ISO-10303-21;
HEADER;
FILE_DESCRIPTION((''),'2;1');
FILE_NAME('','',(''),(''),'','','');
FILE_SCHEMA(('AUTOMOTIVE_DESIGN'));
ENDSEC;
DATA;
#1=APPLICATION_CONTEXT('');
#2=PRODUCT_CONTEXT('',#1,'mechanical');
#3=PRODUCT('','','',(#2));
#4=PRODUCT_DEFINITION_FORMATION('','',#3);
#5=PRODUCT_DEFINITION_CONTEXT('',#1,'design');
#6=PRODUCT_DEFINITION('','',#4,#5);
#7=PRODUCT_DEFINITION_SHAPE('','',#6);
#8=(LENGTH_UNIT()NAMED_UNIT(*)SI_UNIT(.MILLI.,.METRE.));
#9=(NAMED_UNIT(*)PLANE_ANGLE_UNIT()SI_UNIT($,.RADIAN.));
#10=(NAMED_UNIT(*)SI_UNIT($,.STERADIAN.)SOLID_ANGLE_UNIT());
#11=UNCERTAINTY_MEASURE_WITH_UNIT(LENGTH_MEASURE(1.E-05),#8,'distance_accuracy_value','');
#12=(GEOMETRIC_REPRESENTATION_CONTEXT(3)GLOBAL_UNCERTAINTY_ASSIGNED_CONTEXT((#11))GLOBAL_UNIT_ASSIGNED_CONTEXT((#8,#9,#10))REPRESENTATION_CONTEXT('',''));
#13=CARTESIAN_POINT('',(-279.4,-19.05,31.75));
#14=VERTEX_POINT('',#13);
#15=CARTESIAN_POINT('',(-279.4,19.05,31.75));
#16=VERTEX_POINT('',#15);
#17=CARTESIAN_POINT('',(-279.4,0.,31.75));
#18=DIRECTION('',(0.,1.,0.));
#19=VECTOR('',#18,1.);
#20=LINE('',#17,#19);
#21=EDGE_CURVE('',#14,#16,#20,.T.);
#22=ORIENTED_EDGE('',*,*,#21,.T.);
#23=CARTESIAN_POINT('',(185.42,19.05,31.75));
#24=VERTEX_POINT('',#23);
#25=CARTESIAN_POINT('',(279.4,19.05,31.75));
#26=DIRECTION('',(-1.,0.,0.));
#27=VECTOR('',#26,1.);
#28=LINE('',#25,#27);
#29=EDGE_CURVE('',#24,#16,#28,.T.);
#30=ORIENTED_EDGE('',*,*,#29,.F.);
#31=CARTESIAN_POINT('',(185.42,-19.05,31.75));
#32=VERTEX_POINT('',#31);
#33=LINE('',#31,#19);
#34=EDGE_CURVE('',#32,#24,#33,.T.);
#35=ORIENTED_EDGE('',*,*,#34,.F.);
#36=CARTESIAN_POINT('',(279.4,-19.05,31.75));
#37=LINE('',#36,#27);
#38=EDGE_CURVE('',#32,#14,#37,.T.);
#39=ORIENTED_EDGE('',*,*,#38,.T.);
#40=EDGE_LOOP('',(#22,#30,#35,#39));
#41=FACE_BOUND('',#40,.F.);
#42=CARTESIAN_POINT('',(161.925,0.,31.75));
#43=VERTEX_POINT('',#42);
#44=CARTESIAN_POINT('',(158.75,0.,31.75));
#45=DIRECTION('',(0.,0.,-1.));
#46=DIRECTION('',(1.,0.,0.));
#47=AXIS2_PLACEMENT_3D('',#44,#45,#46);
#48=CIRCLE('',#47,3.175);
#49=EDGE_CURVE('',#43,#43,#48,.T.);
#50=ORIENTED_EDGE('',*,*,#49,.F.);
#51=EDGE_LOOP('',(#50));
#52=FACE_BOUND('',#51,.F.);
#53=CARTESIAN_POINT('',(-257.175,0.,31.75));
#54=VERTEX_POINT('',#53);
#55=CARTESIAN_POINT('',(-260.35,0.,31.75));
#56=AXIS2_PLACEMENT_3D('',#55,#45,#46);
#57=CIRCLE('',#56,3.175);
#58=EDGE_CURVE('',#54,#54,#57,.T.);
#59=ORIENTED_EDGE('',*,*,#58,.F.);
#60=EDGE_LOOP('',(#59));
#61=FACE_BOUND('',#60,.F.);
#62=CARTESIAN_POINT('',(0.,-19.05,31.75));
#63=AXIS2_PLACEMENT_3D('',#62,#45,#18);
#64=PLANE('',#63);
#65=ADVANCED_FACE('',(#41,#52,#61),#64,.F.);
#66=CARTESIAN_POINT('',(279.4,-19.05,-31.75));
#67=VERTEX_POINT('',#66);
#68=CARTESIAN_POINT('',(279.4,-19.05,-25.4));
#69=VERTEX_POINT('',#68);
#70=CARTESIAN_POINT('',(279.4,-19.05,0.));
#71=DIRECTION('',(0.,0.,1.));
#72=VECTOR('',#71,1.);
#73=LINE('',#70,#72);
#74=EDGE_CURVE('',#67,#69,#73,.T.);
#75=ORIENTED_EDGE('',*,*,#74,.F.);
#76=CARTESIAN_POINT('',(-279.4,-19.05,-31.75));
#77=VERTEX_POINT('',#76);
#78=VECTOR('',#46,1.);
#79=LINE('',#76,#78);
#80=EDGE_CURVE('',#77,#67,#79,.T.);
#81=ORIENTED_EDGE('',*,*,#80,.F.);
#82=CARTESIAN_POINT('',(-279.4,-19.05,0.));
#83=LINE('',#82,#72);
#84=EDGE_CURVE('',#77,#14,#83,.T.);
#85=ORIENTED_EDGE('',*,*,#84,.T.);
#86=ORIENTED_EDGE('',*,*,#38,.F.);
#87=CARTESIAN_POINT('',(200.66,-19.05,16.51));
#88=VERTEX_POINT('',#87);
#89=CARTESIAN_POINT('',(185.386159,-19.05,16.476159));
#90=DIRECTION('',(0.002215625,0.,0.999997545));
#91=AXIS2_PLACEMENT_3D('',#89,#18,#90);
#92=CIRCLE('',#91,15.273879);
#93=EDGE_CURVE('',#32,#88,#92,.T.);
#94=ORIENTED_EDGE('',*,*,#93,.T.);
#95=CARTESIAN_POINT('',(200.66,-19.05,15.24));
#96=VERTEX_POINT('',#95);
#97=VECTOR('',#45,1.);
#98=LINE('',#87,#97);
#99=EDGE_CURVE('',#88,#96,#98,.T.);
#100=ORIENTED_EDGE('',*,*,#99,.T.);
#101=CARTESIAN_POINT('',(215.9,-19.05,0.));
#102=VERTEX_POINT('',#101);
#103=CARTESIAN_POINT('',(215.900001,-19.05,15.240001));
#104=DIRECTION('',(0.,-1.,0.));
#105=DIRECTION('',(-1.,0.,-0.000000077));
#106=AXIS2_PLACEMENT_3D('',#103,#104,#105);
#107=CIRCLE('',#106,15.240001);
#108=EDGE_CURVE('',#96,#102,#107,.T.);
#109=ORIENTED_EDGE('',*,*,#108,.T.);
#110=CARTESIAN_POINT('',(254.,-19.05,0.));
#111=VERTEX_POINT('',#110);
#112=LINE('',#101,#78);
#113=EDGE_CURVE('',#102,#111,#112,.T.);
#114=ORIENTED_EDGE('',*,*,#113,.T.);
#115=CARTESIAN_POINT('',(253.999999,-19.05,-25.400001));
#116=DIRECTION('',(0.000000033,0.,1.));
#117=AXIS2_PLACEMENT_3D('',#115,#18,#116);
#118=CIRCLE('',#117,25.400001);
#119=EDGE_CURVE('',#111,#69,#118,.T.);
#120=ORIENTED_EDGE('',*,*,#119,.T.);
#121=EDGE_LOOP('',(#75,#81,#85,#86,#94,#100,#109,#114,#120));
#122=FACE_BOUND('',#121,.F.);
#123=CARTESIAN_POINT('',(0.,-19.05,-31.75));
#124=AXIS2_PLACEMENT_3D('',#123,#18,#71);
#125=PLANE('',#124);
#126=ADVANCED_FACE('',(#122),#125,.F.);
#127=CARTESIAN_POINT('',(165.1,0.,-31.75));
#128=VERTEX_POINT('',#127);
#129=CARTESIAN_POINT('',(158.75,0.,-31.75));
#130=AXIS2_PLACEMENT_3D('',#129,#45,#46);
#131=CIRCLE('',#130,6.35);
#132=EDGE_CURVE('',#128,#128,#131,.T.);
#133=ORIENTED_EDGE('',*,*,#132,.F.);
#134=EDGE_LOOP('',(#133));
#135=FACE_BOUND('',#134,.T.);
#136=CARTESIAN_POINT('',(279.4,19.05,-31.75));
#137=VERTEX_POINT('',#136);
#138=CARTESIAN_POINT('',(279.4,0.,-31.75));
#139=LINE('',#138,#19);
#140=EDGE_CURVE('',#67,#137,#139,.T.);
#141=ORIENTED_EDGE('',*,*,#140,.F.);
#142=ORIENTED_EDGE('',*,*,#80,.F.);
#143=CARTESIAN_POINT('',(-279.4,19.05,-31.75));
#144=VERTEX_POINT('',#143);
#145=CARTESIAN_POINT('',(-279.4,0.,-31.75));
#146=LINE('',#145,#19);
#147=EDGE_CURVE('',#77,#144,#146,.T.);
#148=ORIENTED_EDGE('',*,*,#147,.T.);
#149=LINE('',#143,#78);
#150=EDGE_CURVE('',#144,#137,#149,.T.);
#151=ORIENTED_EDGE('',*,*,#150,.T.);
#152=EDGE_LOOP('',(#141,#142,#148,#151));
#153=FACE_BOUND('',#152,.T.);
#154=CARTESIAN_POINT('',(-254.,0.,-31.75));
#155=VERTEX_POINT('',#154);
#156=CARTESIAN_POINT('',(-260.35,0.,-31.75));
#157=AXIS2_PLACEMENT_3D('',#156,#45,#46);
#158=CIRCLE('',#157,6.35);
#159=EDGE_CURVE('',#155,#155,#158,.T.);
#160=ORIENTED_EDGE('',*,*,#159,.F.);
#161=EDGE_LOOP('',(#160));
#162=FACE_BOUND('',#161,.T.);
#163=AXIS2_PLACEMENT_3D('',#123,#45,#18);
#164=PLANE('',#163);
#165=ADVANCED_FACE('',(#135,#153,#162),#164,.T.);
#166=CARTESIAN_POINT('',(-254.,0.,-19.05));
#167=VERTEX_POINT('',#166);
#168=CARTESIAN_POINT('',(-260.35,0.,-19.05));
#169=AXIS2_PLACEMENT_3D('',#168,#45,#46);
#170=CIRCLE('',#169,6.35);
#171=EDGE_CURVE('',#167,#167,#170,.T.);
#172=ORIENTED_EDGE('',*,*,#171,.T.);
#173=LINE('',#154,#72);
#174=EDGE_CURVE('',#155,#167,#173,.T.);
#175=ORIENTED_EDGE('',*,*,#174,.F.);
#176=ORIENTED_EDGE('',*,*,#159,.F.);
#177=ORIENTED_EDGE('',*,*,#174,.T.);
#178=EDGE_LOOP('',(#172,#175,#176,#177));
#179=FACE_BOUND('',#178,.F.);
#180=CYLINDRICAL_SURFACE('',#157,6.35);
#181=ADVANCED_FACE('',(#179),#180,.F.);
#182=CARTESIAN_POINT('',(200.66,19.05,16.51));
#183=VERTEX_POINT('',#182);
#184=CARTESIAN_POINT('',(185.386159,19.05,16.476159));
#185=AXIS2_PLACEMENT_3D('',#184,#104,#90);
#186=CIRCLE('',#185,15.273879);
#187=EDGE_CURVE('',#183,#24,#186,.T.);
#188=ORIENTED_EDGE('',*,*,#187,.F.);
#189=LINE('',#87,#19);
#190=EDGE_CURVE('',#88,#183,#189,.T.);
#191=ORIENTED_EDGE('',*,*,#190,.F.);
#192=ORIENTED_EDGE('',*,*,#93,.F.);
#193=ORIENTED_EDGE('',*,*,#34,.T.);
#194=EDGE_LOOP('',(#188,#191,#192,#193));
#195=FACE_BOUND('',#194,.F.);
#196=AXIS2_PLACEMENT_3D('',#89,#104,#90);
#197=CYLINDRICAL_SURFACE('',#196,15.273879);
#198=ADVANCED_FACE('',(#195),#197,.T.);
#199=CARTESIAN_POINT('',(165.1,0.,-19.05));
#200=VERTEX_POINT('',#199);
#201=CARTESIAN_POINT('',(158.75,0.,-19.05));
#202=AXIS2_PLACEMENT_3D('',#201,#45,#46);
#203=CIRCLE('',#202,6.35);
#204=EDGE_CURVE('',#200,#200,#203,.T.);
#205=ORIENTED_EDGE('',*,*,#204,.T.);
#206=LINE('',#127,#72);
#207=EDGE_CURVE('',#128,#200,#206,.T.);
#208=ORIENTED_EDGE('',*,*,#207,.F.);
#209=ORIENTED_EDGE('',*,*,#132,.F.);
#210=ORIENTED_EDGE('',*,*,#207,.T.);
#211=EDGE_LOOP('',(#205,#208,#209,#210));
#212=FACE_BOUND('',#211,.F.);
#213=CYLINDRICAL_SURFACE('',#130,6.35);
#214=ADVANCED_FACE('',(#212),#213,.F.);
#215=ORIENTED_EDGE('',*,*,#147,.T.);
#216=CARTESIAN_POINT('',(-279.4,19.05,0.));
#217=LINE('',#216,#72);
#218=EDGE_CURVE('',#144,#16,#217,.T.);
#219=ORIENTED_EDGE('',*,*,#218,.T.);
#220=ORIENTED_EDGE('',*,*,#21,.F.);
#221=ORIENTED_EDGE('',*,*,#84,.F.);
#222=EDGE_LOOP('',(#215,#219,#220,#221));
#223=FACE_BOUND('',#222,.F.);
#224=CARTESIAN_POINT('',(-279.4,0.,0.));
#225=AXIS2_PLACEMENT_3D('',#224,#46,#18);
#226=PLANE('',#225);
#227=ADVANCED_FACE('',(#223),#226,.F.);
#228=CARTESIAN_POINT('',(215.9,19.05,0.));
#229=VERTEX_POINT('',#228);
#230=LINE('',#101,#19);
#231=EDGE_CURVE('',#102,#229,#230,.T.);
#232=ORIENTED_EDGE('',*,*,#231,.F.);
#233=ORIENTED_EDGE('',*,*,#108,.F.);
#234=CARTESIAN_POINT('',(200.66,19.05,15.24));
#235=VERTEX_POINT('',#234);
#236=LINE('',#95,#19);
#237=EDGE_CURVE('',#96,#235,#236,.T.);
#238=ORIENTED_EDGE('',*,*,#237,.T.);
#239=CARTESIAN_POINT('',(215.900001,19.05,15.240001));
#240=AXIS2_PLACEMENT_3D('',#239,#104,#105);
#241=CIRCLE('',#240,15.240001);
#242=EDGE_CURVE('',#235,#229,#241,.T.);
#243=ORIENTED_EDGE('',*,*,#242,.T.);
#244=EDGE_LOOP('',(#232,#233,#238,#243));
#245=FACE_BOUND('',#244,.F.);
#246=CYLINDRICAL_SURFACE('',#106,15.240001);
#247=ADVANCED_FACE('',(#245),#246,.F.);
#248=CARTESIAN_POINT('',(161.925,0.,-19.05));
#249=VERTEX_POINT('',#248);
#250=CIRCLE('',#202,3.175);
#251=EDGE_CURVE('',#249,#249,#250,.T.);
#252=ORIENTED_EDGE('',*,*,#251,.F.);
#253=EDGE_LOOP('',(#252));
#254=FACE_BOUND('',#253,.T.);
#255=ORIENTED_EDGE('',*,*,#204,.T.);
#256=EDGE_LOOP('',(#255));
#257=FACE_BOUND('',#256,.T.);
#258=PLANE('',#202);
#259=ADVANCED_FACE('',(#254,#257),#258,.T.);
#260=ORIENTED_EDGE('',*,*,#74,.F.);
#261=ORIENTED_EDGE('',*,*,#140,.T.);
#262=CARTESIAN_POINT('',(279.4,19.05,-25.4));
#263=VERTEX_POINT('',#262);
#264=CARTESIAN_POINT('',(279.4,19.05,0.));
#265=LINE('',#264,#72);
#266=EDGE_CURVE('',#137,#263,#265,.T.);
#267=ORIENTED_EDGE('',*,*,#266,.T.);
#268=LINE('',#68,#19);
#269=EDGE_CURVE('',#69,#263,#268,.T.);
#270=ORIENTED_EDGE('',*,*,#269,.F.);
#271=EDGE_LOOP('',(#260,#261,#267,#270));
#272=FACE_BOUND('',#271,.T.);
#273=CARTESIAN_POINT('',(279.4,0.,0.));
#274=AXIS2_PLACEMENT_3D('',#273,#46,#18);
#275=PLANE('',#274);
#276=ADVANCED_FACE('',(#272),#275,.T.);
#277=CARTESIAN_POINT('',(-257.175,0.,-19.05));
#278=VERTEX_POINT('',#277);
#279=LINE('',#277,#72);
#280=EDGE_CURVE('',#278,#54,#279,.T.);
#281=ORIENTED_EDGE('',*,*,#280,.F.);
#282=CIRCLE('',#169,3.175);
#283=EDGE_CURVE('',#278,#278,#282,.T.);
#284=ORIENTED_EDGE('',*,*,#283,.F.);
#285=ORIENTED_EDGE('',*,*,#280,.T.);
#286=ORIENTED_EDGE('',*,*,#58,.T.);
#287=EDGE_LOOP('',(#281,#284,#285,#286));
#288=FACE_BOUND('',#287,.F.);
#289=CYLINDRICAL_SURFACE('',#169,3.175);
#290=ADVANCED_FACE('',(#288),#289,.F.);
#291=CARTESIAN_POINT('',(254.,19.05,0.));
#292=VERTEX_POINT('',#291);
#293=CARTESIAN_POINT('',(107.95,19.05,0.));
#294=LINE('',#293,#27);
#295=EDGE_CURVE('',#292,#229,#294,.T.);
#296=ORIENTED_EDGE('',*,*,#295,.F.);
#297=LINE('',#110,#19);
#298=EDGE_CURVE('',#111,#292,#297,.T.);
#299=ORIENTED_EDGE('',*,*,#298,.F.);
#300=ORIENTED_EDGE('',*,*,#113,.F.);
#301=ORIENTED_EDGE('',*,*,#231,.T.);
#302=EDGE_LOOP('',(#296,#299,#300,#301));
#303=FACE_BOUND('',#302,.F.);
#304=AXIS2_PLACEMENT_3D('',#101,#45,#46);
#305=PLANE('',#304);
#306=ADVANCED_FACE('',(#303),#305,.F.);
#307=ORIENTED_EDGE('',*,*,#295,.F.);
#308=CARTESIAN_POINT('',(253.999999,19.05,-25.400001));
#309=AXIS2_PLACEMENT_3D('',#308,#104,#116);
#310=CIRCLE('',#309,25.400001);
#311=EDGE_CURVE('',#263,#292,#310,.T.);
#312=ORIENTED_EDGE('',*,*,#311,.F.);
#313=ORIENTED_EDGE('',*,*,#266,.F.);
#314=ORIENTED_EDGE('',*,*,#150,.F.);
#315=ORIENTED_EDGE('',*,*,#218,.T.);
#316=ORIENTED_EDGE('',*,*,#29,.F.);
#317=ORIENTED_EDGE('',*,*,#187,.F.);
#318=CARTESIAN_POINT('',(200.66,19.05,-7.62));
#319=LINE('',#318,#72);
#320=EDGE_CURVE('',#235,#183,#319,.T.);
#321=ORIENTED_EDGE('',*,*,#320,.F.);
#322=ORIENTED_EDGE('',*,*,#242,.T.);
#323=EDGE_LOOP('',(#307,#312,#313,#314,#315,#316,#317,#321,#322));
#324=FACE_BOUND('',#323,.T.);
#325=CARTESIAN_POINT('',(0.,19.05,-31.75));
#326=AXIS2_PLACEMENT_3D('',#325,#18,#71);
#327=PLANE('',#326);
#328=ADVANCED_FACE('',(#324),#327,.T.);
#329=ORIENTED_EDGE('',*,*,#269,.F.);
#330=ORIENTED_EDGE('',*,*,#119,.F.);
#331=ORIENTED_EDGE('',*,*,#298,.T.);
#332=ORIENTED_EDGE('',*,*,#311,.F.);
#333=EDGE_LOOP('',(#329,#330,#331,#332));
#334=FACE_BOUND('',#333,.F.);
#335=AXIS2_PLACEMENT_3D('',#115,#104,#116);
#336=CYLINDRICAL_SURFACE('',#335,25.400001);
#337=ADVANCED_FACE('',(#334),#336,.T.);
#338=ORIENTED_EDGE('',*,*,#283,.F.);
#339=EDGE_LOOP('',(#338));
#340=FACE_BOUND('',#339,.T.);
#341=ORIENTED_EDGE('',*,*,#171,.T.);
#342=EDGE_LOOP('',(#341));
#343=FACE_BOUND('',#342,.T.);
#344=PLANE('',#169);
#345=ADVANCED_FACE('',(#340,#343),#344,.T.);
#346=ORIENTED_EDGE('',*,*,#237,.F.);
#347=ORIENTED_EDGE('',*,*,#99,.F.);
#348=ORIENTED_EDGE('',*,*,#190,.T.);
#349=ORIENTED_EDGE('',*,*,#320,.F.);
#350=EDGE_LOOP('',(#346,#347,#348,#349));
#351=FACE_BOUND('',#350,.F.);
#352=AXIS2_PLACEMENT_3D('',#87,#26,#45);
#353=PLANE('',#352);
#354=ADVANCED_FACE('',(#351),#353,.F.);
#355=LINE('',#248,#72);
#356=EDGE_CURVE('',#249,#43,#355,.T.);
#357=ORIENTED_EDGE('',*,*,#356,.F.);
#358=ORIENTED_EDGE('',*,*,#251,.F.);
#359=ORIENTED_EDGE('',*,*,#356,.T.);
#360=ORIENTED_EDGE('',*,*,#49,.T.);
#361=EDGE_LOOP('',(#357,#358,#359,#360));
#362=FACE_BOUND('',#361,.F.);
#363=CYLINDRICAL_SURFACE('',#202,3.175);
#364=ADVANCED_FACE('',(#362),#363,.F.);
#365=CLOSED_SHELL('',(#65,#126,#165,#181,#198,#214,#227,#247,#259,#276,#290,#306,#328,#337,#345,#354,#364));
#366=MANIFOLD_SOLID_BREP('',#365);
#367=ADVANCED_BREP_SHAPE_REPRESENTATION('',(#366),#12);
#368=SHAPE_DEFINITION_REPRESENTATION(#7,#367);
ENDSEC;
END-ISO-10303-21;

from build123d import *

# Parameters (mm, degrees)
F0_W     = 38.1
F0_H     = 63.5
F1_DEPTH = 279.4
F3_DEPTH = 38.101
F4_R     = 6.35
F5_DEPTH = 12.7
F6_R     = 3.175
F7_DEPTH = 50.801


with BuildPart() as f1:
    # F0 (on Right) → F1 (new body, symmetric)
    with BuildSketch(Plane.YZ):
        Rectangle(F0_W, F0_H)
    extrude(amount=F1_DEPTH, both=True)

    # F2 (on face) → F3 (cut, through all)
    with BuildSketch(Plane.XZ.offset(19.05)):
        with BuildLine():
            ThreePointArc((254, 0), (271.960512, -7.439488), (279.4, -25.4))
            Line((279.4, -25.4), (279.4, 31.75))
            Line((279.4, 31.75), (185.42, 31.75))
            ThreePointArc((185.42, 31.75), (196.186422, 27.276422), (200.66, 16.51))
            Line((200.66, 16.51), (200.66, 15.24))
            ThreePointArc((200.66, 15.24), (205.123693, 4.463693), (215.9, 0))
            Line((215.9, 0), (254, 0))
        make_face()
    extrude(amount=-F3_DEPTH, mode=Mode.SUBTRACT)

    # F4 (on face) → F5 (cut)
    with BuildSketch(Plane(origin=(0, 0, -31.75), x_dir=(1, 0, 0), z_dir=(0, 0, -1))):
        with Locations((-260.35, 0)):
            Circle(F4_R)
        with Locations((158.75, 0)):
            Circle(F4_R)
    extrude(amount=-F5_DEPTH, mode=Mode.SUBTRACT)

    # F6 (on face) → F7 (cut, through all)
    with BuildSketch(Plane(origin=(0, 0, -19.05), x_dir=(1, 0, 0), z_dir=(0, 0, -1))):
        with Locations((-260.35, 0)):
            Circle(F6_R)
        with Locations((158.75, 0)):
            Circle(F6_R)
    extrude(amount=-F7_DEPTH, mode=Mode.SUBTRACT)


solid = f1.part
